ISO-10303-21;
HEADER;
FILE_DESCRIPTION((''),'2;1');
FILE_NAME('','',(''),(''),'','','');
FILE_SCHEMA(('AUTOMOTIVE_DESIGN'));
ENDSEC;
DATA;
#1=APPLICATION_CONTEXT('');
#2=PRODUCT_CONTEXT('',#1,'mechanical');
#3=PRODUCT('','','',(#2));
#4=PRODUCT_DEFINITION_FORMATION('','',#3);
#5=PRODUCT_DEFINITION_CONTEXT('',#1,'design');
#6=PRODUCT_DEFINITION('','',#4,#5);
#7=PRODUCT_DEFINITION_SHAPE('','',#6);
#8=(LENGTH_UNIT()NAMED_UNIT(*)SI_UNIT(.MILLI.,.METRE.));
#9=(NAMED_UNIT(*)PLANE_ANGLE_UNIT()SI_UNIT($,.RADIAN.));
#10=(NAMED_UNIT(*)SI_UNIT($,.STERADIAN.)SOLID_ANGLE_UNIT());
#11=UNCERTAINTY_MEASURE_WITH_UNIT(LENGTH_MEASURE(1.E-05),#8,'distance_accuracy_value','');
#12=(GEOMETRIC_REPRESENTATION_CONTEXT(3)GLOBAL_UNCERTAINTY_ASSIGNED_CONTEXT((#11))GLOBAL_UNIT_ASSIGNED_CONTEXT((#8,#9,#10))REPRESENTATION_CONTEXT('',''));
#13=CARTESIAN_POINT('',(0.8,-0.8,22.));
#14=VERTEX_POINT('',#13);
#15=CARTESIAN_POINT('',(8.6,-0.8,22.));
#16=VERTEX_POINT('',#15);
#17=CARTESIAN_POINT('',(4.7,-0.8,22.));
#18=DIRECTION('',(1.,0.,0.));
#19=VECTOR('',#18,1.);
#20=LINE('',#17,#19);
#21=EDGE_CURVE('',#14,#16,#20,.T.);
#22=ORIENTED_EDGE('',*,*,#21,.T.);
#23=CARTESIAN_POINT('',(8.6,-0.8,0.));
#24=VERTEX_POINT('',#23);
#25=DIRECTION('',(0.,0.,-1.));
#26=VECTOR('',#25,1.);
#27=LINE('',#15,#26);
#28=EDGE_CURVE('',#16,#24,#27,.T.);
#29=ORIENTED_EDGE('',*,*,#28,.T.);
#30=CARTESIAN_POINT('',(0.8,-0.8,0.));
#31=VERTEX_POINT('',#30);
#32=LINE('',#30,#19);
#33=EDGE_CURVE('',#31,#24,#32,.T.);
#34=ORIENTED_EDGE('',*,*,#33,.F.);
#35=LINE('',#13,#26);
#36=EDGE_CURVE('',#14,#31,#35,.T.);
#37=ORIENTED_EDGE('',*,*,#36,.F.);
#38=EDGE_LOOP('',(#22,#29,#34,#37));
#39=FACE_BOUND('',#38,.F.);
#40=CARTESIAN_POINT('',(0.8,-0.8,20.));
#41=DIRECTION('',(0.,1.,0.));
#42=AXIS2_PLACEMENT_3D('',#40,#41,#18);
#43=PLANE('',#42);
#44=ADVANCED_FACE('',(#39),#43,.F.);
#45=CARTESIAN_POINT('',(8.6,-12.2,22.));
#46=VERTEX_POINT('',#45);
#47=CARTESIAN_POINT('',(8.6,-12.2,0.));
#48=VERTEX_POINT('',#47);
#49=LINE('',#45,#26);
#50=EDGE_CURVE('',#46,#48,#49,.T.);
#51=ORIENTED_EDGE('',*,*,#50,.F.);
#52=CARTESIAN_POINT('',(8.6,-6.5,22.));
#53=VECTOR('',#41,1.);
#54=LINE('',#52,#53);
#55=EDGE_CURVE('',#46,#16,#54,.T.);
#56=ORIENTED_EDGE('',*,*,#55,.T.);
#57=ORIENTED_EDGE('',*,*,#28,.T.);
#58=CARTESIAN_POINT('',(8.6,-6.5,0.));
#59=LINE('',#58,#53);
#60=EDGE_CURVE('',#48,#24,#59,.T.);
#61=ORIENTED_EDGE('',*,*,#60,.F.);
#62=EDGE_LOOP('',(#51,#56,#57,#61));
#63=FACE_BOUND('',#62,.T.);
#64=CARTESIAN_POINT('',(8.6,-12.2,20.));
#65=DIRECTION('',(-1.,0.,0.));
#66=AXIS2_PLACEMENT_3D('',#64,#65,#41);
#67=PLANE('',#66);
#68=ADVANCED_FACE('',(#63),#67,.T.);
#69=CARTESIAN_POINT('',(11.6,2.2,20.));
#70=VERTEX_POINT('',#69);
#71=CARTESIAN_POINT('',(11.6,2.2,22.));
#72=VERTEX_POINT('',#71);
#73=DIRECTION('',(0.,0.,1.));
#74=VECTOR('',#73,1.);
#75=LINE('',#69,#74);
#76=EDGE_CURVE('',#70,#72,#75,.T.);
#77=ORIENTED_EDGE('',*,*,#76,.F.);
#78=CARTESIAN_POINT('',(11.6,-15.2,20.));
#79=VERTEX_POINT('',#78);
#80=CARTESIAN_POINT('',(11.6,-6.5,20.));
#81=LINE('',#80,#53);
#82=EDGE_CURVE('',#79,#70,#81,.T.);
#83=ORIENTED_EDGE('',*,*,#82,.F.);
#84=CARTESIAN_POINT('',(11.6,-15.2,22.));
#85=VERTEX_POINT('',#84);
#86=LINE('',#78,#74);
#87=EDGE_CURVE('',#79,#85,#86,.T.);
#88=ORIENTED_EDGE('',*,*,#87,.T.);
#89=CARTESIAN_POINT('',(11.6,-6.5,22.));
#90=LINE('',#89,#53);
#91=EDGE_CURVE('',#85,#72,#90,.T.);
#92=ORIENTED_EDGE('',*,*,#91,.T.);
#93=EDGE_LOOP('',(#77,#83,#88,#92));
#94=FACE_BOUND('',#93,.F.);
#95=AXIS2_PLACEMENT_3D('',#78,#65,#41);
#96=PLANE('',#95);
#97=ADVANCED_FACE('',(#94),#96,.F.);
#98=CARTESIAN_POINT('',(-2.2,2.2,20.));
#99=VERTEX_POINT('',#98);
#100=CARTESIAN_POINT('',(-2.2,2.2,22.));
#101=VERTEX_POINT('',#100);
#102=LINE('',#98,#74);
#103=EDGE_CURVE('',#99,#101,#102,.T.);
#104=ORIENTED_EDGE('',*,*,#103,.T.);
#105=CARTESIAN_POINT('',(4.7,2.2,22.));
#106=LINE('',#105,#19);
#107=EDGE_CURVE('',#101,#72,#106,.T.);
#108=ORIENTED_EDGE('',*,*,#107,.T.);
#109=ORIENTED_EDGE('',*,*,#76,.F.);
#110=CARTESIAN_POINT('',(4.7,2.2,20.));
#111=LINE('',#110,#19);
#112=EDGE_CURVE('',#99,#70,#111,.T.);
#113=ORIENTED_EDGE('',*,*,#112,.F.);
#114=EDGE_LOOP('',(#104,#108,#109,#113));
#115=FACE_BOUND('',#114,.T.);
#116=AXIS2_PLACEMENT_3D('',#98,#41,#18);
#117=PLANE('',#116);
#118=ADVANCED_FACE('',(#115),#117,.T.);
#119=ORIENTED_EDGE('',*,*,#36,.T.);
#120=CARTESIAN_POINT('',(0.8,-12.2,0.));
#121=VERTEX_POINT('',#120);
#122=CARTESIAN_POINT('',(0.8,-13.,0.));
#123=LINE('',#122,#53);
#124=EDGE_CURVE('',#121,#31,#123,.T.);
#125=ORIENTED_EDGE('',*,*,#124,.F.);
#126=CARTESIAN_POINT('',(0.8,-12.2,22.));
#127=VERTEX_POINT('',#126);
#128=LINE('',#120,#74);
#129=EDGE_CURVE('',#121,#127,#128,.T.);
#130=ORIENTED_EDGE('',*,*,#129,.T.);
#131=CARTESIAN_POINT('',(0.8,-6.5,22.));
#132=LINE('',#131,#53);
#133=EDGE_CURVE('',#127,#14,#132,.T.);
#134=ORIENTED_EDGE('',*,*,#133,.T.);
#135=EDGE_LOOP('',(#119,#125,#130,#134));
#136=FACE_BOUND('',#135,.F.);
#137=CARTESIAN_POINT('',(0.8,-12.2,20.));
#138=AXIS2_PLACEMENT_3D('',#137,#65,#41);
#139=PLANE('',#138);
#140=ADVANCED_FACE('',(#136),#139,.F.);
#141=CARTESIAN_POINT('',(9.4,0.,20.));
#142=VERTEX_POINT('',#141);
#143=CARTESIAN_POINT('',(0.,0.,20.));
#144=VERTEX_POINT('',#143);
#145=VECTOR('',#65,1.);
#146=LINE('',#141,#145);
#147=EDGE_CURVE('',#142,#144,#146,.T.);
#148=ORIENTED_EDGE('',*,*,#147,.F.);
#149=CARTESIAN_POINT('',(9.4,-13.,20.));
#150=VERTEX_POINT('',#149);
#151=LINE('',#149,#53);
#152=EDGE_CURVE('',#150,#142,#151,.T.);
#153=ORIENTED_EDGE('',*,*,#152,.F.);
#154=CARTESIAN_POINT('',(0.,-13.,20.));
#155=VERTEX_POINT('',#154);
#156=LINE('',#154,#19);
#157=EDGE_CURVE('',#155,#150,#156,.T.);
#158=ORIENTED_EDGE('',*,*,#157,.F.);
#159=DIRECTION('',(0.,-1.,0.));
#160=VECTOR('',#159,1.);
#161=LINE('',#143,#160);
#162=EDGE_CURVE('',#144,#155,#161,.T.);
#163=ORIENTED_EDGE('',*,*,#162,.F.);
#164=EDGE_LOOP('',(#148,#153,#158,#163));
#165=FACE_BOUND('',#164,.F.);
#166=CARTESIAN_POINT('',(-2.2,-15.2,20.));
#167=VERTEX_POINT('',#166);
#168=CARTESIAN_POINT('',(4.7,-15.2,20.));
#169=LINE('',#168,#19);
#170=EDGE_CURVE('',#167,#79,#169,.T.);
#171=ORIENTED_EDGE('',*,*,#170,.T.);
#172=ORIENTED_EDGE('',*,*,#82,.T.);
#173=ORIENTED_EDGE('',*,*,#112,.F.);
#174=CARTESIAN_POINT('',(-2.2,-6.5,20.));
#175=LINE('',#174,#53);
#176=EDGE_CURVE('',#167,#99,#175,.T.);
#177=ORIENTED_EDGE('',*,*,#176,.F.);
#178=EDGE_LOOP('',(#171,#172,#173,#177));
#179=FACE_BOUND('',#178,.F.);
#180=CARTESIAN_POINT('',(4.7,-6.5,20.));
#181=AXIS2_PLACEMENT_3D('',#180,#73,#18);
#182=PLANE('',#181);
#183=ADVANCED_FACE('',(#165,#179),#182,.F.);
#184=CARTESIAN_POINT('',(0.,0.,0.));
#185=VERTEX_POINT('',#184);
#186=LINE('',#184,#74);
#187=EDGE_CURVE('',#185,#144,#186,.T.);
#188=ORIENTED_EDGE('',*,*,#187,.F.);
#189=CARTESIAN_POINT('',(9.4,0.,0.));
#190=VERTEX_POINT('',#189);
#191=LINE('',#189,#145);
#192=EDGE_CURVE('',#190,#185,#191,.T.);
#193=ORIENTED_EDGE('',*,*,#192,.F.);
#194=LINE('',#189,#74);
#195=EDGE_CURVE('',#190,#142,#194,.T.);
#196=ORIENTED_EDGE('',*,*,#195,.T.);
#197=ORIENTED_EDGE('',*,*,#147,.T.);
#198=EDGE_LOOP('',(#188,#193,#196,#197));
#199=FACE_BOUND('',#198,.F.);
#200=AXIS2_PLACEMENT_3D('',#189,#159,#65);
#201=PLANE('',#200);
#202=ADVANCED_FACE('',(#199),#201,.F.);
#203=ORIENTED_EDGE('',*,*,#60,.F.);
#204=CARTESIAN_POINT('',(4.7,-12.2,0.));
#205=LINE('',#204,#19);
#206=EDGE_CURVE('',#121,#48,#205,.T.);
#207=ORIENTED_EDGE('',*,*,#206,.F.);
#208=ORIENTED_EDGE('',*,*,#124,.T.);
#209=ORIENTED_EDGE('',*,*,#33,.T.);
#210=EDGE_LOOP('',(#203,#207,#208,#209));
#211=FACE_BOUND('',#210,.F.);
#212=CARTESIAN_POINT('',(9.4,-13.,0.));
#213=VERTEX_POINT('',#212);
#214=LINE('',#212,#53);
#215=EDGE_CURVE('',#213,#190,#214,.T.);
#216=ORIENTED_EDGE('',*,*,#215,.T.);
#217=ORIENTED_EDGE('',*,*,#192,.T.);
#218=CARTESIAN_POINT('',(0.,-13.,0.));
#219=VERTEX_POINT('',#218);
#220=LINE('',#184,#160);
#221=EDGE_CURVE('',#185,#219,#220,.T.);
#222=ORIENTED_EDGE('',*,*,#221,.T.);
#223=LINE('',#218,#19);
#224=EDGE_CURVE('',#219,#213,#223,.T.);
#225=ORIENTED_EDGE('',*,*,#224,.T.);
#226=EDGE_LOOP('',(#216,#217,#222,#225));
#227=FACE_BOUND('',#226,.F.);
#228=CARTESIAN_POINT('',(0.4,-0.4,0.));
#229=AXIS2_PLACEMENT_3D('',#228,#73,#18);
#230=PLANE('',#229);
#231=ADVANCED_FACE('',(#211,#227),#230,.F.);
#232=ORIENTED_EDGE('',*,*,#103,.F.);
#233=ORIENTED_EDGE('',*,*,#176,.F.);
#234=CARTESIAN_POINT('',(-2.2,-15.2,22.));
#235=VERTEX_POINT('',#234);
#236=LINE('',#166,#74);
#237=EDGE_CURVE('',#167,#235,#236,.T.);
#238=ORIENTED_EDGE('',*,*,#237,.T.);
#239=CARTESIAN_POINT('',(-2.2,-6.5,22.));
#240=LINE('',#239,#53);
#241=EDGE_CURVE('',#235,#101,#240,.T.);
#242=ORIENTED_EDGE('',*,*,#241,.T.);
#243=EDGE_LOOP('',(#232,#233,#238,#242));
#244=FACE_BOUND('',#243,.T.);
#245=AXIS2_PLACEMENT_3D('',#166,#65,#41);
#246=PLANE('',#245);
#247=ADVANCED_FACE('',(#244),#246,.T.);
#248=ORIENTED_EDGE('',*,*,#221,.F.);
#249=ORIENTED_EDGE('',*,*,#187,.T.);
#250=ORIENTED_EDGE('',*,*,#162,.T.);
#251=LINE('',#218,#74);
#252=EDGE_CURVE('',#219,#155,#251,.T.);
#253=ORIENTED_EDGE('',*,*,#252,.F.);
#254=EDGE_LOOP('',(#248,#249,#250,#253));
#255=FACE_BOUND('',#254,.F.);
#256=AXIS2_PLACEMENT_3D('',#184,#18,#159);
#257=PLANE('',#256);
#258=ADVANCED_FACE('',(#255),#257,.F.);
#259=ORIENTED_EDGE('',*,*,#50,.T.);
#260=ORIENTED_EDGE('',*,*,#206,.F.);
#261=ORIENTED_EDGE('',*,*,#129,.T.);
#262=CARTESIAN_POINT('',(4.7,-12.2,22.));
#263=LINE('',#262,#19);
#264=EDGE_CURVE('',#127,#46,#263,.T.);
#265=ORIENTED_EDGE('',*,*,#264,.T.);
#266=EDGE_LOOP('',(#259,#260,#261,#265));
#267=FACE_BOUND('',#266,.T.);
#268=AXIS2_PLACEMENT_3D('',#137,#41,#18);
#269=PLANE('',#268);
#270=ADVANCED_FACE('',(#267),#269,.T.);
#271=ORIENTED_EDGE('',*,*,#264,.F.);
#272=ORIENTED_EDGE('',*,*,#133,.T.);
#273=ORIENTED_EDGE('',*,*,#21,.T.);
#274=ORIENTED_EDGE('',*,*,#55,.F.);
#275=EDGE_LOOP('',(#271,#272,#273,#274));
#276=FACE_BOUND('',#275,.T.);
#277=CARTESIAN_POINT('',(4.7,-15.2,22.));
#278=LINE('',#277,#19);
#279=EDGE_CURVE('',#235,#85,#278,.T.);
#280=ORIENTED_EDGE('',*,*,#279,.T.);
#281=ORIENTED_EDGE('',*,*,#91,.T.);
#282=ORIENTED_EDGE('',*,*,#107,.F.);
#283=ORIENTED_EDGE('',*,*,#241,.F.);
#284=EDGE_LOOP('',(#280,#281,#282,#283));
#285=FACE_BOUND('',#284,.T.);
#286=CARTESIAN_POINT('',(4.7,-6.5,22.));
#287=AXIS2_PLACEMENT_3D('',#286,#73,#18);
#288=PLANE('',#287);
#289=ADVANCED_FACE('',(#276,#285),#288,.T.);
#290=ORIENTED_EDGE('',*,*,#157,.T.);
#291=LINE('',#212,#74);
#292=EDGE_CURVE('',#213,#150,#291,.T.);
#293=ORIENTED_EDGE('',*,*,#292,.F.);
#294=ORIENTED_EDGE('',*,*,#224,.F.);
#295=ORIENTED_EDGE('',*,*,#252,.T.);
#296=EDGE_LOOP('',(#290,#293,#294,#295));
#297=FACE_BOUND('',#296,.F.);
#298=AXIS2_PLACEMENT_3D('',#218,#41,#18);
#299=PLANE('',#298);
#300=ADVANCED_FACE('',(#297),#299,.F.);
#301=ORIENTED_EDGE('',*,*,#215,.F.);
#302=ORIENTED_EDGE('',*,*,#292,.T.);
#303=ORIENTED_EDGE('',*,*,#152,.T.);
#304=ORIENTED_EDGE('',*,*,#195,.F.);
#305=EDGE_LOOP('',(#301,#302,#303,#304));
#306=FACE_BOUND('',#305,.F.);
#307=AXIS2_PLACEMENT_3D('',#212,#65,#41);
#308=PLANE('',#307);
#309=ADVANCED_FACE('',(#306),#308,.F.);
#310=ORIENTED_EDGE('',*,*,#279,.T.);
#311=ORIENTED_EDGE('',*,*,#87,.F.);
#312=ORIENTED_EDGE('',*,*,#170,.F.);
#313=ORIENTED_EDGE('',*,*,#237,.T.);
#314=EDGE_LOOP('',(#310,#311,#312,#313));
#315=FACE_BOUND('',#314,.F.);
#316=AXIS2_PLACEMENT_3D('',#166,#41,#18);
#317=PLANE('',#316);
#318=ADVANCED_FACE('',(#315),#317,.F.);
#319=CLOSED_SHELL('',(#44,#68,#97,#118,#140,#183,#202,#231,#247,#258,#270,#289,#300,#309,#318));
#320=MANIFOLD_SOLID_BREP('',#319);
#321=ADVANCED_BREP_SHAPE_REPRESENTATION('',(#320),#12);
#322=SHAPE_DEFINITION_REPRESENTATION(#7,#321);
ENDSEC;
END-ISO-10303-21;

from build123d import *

# Parameters (mm, degrees)
F0_W     = 0.8
F0_H     = 0.8
F0_H_2   = 11.4
F0_W_2   = 7.8
F1_DEPTH = 20
F2_W     = 13.8
F2_H     = 17.4
F2_W_2   = 9.4
F2_H_2   = 13
F2_W_3   = 7.8
F2_H_3   = 11.4
F3_DEPTH = 2


with BuildPart() as f1:
    # F0 (on Top) → F1 (new body)
    with BuildSketch(Plane.XY):
        with Locations((0.4, -0.4)):
            Rectangle(F0_W, F0_H)
        with Locations((0.4, -6.5)):
            Rectangle(F0_W, F0_H_2)
        with Locations((0.4, -12.6)):
            Rectangle(F0_W, F0_H)
        with Locations((4.7, -12.6)):
            Rectangle(F0_W_2, F0_H)
        with Locations((4.7, -0.4)):
            Rectangle(F0_W_2, F0_H)
        with Locations((9, -0.4)):
            Rectangle(F0_W, F0_H)
        with Locations((9, -6.5)):
            Rectangle(F0_W, F0_H_2)
        with Locations((9, -12.6)):
            Rectangle(F0_W, F0_H)
    extrude(amount=F1_DEPTH)

    # F2 (on face) → F3 (join)
    with BuildSketch(Plane.XY.offset(20)):
        with Locations((4.7, -6.5)):
            Rectangle(F2_W, F2_H)
        with Locations((4.7, -6.5)):
            Rectangle(F2_W_2, F2_H_2, mode=Mode.SUBTRACT)
        with Locations((4.7, -6.5)):
            Rectangle(F2_W_2, F2_H_2)
        with Locations((4.7, -6.5)):
            Rectangle(F2_W_3, F2_H_3, mode=Mode.SUBTRACT)
    extrude(amount=F3_DEPTH)


solid = f1.part
